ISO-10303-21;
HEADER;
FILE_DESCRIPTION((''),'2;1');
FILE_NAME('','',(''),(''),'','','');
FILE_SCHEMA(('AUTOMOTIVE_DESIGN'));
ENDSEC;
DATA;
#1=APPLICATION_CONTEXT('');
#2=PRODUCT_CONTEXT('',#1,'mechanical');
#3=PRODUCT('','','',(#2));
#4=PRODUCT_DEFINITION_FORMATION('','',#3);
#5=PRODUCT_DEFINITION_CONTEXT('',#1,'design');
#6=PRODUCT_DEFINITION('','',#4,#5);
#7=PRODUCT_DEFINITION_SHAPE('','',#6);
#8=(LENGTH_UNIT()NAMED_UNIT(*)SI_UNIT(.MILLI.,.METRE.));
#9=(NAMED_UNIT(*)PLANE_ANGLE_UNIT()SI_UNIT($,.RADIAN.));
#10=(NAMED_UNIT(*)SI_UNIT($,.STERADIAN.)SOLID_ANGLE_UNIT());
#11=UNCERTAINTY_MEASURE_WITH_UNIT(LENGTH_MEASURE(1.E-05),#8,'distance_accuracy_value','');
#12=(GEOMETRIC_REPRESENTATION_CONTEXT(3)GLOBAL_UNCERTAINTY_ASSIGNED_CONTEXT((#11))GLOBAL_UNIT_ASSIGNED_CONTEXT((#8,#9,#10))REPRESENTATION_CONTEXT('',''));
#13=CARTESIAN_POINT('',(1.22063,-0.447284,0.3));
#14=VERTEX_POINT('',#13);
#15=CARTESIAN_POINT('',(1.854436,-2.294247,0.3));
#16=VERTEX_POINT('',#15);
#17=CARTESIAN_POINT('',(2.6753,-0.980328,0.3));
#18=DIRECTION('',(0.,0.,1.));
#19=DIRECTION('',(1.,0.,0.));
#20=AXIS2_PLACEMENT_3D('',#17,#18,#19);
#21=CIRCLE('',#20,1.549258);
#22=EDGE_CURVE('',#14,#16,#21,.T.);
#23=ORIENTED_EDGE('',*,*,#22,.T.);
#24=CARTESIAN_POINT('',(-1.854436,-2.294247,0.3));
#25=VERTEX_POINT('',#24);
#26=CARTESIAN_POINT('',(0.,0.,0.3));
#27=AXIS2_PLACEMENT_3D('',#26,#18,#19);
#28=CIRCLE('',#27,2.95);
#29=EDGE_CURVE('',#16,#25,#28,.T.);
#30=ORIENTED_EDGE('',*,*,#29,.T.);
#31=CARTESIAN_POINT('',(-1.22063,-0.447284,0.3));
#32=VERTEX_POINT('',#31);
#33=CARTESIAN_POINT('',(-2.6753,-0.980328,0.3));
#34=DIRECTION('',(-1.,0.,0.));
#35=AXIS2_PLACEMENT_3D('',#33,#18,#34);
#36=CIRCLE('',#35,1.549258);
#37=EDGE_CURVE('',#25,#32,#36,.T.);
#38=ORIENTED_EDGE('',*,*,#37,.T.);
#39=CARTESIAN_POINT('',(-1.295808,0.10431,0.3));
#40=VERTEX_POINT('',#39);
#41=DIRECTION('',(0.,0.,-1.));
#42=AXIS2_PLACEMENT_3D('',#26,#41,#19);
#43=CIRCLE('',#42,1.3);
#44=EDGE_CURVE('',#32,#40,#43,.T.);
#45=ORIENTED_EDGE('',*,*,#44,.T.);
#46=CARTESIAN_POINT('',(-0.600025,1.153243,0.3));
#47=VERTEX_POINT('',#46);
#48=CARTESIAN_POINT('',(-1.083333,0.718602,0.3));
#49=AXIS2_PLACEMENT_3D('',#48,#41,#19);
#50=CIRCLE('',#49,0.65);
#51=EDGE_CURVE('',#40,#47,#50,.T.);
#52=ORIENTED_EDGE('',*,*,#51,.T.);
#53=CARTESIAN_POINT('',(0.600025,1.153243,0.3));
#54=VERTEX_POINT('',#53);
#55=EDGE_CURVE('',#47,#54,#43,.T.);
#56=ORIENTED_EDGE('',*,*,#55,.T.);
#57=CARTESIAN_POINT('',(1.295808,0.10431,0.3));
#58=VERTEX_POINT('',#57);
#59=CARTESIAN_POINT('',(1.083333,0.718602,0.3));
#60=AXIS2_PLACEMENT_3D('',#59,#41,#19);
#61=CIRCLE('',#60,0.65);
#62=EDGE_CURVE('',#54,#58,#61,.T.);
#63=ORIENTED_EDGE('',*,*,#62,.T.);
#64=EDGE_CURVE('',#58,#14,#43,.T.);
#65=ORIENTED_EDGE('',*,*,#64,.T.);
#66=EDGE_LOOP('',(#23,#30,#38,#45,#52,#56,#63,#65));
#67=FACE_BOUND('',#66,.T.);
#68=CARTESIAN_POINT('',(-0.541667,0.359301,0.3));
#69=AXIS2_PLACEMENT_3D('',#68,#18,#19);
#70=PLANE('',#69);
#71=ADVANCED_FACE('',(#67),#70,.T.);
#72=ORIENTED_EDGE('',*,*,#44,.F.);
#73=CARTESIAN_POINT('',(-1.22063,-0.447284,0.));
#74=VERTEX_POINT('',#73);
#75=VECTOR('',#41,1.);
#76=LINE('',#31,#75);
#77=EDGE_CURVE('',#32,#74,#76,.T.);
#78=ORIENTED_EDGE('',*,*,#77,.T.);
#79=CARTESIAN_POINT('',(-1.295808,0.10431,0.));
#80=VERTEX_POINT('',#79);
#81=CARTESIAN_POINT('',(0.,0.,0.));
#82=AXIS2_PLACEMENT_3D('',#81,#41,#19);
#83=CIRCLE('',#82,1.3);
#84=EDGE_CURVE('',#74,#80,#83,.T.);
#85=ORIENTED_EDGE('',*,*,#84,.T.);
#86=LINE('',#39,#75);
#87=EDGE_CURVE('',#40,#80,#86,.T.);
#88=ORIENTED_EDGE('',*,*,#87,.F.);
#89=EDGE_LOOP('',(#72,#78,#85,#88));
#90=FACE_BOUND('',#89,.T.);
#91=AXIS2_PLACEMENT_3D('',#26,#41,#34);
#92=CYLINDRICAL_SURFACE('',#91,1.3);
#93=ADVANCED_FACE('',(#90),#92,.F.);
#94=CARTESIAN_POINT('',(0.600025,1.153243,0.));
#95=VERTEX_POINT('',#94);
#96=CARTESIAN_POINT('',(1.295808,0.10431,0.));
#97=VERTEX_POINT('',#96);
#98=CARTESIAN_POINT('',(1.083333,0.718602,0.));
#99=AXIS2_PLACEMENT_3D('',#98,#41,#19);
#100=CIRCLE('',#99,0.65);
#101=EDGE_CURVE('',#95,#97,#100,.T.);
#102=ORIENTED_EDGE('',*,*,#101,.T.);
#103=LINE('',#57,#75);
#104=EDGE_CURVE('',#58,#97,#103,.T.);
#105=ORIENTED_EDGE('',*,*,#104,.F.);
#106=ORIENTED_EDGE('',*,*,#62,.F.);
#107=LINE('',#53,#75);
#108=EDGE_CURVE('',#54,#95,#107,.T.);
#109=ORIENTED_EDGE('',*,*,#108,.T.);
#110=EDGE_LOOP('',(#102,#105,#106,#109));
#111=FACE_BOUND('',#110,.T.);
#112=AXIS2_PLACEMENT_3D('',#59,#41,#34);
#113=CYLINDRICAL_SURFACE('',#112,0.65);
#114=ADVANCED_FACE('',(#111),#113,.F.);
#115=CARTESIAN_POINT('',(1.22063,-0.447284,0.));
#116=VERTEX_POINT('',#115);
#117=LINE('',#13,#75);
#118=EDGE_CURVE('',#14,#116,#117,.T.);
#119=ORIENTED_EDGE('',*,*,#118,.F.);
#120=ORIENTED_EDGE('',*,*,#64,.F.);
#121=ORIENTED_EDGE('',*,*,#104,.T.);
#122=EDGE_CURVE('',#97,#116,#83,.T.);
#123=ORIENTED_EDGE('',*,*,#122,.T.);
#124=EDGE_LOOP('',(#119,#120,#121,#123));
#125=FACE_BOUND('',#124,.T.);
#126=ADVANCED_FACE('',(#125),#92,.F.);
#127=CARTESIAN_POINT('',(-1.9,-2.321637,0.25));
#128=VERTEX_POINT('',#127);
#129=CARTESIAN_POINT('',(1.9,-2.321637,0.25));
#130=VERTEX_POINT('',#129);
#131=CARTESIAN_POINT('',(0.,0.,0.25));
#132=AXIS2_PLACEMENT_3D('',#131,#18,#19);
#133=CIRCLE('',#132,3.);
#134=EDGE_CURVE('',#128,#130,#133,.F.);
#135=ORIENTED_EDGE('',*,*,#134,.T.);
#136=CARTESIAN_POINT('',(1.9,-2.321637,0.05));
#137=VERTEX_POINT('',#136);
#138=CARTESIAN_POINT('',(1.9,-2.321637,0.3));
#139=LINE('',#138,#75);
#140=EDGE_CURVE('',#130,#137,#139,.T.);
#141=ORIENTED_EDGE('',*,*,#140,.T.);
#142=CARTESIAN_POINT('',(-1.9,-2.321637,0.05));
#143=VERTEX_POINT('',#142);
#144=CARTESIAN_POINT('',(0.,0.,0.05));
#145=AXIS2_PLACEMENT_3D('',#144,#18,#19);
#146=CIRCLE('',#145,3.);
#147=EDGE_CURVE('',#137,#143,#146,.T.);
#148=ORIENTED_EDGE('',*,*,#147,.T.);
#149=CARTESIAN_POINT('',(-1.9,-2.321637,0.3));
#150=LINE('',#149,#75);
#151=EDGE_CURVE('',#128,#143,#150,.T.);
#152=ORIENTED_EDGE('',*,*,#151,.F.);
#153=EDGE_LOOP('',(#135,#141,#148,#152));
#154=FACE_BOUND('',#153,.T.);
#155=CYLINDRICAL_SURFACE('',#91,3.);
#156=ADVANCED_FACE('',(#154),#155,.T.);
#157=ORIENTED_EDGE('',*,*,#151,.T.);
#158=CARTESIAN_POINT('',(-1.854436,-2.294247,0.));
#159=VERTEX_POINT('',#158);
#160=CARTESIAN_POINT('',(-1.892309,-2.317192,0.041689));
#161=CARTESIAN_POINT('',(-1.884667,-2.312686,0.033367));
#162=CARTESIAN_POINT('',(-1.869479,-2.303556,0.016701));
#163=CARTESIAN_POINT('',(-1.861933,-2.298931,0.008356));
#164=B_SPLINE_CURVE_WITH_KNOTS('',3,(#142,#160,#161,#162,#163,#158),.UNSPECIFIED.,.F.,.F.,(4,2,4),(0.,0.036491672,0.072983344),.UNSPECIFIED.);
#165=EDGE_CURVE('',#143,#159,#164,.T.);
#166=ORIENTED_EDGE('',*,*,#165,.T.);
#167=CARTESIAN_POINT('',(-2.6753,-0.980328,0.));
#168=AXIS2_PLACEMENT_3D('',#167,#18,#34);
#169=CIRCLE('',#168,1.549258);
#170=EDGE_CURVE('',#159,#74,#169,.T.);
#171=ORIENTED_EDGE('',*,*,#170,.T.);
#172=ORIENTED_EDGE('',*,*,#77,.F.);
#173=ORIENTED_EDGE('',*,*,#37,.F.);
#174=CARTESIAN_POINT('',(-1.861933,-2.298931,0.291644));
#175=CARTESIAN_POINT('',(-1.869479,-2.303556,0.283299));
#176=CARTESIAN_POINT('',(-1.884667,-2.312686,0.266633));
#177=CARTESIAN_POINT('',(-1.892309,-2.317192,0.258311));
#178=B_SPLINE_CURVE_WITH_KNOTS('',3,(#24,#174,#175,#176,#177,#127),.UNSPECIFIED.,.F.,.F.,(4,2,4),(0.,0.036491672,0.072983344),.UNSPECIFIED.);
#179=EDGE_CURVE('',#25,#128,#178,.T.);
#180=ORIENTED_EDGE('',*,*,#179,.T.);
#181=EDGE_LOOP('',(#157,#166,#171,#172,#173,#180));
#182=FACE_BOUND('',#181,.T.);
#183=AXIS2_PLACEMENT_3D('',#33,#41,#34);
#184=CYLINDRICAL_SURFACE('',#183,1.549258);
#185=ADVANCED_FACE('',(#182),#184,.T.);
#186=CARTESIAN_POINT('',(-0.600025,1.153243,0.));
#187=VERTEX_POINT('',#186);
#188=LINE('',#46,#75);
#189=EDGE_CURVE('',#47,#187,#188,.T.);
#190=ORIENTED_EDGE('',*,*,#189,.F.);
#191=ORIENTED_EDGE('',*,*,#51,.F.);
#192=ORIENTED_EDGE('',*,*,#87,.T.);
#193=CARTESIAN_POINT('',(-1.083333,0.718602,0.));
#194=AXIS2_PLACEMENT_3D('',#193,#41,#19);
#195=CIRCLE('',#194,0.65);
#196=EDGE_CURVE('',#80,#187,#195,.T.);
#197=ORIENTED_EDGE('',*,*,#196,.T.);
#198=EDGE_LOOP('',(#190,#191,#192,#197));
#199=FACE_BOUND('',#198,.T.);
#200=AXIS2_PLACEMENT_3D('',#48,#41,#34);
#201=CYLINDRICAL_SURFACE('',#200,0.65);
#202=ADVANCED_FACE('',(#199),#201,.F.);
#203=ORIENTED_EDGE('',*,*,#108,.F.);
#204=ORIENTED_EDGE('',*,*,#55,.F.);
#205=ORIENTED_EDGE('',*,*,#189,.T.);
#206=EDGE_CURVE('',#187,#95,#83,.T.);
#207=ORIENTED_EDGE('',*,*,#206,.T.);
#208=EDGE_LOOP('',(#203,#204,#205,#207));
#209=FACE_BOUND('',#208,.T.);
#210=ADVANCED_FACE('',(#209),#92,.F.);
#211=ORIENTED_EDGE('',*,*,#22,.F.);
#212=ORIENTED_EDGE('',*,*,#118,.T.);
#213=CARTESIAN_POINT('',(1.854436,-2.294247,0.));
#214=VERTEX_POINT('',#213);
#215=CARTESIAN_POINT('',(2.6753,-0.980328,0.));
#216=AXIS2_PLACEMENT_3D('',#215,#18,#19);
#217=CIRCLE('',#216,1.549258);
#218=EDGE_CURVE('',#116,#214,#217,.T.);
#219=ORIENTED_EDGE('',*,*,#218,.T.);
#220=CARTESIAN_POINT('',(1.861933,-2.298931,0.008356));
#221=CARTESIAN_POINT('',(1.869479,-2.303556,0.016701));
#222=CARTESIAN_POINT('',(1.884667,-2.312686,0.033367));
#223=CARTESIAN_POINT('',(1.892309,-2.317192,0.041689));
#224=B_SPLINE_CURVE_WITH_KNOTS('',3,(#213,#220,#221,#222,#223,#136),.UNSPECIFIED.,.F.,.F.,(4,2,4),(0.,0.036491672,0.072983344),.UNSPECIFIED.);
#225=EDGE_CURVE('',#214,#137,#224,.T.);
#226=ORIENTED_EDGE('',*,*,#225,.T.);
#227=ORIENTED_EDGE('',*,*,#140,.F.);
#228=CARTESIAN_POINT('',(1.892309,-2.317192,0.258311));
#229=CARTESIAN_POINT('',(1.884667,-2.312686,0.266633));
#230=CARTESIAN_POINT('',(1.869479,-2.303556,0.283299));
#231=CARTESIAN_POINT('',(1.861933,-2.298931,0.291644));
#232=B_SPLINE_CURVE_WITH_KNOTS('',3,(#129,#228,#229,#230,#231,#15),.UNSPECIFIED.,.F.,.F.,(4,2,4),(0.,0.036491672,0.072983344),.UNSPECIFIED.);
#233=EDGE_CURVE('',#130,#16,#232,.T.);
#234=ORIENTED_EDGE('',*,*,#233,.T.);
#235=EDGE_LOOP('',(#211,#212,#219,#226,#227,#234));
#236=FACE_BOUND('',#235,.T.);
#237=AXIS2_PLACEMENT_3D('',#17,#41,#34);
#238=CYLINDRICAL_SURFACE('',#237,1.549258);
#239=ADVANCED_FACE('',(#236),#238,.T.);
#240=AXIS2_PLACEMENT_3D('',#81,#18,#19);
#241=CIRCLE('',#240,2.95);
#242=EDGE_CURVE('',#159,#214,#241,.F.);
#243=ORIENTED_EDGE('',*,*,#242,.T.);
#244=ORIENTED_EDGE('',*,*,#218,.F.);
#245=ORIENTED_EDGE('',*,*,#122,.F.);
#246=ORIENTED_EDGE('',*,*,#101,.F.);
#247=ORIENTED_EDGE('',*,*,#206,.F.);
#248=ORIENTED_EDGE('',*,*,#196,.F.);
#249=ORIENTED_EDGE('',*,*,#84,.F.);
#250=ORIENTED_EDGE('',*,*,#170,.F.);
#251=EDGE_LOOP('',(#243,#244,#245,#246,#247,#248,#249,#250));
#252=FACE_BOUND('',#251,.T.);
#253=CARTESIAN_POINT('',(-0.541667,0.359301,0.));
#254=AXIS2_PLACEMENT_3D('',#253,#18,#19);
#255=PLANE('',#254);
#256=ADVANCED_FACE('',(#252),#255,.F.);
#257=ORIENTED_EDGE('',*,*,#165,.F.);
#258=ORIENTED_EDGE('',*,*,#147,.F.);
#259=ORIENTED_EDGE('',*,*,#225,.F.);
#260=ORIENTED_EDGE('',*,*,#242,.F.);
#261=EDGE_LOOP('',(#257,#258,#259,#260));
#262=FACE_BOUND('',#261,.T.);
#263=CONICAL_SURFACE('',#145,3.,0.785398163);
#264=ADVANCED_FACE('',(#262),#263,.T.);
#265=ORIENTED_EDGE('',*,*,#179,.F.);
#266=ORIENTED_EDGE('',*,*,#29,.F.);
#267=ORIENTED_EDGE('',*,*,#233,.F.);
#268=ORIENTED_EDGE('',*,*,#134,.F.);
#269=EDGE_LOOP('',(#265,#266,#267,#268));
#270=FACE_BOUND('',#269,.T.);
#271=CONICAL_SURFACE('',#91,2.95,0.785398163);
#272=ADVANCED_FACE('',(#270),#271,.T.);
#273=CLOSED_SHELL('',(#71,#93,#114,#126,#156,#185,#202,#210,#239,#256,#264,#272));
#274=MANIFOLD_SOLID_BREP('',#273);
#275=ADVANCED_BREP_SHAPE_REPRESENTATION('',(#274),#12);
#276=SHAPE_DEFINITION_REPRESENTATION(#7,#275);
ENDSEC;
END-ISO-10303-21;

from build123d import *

# Parameters (mm, degrees)
EXTRUDE_1_DEPTH = 0.3
CHAMFER_1_SIZE  = 0.05


with BuildPart() as part:
    # 草图1 → 凸台-拉伸1 (new body)
    with BuildSketch(Plane.XY):
        with BuildLine():
            ThreePointArc((-1.295808382, 0.104310288), (-1.288091369, -0.175558041), (-1.220629908, -0.44728361))
            ThreePointArc((-1.220629908, -0.44728361), (-1.21876562, -1.508256965), (-1.9, -2.321637353))
            ThreePointArc((-1.9, -2.321637353), (0, 3), (1.9, -2.321637353))
            ThreePointArc((1.9, -2.321637353), (1.21876562, -1.508256965), (1.220629908, -0.44728361))
            ThreePointArc((1.220629908, -0.44728361), (1.288091369, -0.175558041), (1.295808382, 0.104310288))
            ThreePointArc((1.295808382, 0.104310288), (1.625, 1.077903057), (0.600024951, 1.153243278))
            ThreePointArc((0.600024951, 1.153243278), (0, 1.3), (-0.600024951, 1.153243278))
            ThreePointArc((-0.600024951, 1.153243278), (-1.625, 1.077903057), (-1.295808382, 0.104310288))
        make_face()
    extrude(amount=EXTRUDE_1_DEPTH)

    # 倒角1
    chamfer_1_edges = [part.edges().sort_by_distance(p)[0] for p in [
        (0, 3, 0.3),
        (0, 3, 0),
    ]]
    chamfer(chamfer_1_edges, length=CHAMFER_1_SIZE)


solid = part.part
